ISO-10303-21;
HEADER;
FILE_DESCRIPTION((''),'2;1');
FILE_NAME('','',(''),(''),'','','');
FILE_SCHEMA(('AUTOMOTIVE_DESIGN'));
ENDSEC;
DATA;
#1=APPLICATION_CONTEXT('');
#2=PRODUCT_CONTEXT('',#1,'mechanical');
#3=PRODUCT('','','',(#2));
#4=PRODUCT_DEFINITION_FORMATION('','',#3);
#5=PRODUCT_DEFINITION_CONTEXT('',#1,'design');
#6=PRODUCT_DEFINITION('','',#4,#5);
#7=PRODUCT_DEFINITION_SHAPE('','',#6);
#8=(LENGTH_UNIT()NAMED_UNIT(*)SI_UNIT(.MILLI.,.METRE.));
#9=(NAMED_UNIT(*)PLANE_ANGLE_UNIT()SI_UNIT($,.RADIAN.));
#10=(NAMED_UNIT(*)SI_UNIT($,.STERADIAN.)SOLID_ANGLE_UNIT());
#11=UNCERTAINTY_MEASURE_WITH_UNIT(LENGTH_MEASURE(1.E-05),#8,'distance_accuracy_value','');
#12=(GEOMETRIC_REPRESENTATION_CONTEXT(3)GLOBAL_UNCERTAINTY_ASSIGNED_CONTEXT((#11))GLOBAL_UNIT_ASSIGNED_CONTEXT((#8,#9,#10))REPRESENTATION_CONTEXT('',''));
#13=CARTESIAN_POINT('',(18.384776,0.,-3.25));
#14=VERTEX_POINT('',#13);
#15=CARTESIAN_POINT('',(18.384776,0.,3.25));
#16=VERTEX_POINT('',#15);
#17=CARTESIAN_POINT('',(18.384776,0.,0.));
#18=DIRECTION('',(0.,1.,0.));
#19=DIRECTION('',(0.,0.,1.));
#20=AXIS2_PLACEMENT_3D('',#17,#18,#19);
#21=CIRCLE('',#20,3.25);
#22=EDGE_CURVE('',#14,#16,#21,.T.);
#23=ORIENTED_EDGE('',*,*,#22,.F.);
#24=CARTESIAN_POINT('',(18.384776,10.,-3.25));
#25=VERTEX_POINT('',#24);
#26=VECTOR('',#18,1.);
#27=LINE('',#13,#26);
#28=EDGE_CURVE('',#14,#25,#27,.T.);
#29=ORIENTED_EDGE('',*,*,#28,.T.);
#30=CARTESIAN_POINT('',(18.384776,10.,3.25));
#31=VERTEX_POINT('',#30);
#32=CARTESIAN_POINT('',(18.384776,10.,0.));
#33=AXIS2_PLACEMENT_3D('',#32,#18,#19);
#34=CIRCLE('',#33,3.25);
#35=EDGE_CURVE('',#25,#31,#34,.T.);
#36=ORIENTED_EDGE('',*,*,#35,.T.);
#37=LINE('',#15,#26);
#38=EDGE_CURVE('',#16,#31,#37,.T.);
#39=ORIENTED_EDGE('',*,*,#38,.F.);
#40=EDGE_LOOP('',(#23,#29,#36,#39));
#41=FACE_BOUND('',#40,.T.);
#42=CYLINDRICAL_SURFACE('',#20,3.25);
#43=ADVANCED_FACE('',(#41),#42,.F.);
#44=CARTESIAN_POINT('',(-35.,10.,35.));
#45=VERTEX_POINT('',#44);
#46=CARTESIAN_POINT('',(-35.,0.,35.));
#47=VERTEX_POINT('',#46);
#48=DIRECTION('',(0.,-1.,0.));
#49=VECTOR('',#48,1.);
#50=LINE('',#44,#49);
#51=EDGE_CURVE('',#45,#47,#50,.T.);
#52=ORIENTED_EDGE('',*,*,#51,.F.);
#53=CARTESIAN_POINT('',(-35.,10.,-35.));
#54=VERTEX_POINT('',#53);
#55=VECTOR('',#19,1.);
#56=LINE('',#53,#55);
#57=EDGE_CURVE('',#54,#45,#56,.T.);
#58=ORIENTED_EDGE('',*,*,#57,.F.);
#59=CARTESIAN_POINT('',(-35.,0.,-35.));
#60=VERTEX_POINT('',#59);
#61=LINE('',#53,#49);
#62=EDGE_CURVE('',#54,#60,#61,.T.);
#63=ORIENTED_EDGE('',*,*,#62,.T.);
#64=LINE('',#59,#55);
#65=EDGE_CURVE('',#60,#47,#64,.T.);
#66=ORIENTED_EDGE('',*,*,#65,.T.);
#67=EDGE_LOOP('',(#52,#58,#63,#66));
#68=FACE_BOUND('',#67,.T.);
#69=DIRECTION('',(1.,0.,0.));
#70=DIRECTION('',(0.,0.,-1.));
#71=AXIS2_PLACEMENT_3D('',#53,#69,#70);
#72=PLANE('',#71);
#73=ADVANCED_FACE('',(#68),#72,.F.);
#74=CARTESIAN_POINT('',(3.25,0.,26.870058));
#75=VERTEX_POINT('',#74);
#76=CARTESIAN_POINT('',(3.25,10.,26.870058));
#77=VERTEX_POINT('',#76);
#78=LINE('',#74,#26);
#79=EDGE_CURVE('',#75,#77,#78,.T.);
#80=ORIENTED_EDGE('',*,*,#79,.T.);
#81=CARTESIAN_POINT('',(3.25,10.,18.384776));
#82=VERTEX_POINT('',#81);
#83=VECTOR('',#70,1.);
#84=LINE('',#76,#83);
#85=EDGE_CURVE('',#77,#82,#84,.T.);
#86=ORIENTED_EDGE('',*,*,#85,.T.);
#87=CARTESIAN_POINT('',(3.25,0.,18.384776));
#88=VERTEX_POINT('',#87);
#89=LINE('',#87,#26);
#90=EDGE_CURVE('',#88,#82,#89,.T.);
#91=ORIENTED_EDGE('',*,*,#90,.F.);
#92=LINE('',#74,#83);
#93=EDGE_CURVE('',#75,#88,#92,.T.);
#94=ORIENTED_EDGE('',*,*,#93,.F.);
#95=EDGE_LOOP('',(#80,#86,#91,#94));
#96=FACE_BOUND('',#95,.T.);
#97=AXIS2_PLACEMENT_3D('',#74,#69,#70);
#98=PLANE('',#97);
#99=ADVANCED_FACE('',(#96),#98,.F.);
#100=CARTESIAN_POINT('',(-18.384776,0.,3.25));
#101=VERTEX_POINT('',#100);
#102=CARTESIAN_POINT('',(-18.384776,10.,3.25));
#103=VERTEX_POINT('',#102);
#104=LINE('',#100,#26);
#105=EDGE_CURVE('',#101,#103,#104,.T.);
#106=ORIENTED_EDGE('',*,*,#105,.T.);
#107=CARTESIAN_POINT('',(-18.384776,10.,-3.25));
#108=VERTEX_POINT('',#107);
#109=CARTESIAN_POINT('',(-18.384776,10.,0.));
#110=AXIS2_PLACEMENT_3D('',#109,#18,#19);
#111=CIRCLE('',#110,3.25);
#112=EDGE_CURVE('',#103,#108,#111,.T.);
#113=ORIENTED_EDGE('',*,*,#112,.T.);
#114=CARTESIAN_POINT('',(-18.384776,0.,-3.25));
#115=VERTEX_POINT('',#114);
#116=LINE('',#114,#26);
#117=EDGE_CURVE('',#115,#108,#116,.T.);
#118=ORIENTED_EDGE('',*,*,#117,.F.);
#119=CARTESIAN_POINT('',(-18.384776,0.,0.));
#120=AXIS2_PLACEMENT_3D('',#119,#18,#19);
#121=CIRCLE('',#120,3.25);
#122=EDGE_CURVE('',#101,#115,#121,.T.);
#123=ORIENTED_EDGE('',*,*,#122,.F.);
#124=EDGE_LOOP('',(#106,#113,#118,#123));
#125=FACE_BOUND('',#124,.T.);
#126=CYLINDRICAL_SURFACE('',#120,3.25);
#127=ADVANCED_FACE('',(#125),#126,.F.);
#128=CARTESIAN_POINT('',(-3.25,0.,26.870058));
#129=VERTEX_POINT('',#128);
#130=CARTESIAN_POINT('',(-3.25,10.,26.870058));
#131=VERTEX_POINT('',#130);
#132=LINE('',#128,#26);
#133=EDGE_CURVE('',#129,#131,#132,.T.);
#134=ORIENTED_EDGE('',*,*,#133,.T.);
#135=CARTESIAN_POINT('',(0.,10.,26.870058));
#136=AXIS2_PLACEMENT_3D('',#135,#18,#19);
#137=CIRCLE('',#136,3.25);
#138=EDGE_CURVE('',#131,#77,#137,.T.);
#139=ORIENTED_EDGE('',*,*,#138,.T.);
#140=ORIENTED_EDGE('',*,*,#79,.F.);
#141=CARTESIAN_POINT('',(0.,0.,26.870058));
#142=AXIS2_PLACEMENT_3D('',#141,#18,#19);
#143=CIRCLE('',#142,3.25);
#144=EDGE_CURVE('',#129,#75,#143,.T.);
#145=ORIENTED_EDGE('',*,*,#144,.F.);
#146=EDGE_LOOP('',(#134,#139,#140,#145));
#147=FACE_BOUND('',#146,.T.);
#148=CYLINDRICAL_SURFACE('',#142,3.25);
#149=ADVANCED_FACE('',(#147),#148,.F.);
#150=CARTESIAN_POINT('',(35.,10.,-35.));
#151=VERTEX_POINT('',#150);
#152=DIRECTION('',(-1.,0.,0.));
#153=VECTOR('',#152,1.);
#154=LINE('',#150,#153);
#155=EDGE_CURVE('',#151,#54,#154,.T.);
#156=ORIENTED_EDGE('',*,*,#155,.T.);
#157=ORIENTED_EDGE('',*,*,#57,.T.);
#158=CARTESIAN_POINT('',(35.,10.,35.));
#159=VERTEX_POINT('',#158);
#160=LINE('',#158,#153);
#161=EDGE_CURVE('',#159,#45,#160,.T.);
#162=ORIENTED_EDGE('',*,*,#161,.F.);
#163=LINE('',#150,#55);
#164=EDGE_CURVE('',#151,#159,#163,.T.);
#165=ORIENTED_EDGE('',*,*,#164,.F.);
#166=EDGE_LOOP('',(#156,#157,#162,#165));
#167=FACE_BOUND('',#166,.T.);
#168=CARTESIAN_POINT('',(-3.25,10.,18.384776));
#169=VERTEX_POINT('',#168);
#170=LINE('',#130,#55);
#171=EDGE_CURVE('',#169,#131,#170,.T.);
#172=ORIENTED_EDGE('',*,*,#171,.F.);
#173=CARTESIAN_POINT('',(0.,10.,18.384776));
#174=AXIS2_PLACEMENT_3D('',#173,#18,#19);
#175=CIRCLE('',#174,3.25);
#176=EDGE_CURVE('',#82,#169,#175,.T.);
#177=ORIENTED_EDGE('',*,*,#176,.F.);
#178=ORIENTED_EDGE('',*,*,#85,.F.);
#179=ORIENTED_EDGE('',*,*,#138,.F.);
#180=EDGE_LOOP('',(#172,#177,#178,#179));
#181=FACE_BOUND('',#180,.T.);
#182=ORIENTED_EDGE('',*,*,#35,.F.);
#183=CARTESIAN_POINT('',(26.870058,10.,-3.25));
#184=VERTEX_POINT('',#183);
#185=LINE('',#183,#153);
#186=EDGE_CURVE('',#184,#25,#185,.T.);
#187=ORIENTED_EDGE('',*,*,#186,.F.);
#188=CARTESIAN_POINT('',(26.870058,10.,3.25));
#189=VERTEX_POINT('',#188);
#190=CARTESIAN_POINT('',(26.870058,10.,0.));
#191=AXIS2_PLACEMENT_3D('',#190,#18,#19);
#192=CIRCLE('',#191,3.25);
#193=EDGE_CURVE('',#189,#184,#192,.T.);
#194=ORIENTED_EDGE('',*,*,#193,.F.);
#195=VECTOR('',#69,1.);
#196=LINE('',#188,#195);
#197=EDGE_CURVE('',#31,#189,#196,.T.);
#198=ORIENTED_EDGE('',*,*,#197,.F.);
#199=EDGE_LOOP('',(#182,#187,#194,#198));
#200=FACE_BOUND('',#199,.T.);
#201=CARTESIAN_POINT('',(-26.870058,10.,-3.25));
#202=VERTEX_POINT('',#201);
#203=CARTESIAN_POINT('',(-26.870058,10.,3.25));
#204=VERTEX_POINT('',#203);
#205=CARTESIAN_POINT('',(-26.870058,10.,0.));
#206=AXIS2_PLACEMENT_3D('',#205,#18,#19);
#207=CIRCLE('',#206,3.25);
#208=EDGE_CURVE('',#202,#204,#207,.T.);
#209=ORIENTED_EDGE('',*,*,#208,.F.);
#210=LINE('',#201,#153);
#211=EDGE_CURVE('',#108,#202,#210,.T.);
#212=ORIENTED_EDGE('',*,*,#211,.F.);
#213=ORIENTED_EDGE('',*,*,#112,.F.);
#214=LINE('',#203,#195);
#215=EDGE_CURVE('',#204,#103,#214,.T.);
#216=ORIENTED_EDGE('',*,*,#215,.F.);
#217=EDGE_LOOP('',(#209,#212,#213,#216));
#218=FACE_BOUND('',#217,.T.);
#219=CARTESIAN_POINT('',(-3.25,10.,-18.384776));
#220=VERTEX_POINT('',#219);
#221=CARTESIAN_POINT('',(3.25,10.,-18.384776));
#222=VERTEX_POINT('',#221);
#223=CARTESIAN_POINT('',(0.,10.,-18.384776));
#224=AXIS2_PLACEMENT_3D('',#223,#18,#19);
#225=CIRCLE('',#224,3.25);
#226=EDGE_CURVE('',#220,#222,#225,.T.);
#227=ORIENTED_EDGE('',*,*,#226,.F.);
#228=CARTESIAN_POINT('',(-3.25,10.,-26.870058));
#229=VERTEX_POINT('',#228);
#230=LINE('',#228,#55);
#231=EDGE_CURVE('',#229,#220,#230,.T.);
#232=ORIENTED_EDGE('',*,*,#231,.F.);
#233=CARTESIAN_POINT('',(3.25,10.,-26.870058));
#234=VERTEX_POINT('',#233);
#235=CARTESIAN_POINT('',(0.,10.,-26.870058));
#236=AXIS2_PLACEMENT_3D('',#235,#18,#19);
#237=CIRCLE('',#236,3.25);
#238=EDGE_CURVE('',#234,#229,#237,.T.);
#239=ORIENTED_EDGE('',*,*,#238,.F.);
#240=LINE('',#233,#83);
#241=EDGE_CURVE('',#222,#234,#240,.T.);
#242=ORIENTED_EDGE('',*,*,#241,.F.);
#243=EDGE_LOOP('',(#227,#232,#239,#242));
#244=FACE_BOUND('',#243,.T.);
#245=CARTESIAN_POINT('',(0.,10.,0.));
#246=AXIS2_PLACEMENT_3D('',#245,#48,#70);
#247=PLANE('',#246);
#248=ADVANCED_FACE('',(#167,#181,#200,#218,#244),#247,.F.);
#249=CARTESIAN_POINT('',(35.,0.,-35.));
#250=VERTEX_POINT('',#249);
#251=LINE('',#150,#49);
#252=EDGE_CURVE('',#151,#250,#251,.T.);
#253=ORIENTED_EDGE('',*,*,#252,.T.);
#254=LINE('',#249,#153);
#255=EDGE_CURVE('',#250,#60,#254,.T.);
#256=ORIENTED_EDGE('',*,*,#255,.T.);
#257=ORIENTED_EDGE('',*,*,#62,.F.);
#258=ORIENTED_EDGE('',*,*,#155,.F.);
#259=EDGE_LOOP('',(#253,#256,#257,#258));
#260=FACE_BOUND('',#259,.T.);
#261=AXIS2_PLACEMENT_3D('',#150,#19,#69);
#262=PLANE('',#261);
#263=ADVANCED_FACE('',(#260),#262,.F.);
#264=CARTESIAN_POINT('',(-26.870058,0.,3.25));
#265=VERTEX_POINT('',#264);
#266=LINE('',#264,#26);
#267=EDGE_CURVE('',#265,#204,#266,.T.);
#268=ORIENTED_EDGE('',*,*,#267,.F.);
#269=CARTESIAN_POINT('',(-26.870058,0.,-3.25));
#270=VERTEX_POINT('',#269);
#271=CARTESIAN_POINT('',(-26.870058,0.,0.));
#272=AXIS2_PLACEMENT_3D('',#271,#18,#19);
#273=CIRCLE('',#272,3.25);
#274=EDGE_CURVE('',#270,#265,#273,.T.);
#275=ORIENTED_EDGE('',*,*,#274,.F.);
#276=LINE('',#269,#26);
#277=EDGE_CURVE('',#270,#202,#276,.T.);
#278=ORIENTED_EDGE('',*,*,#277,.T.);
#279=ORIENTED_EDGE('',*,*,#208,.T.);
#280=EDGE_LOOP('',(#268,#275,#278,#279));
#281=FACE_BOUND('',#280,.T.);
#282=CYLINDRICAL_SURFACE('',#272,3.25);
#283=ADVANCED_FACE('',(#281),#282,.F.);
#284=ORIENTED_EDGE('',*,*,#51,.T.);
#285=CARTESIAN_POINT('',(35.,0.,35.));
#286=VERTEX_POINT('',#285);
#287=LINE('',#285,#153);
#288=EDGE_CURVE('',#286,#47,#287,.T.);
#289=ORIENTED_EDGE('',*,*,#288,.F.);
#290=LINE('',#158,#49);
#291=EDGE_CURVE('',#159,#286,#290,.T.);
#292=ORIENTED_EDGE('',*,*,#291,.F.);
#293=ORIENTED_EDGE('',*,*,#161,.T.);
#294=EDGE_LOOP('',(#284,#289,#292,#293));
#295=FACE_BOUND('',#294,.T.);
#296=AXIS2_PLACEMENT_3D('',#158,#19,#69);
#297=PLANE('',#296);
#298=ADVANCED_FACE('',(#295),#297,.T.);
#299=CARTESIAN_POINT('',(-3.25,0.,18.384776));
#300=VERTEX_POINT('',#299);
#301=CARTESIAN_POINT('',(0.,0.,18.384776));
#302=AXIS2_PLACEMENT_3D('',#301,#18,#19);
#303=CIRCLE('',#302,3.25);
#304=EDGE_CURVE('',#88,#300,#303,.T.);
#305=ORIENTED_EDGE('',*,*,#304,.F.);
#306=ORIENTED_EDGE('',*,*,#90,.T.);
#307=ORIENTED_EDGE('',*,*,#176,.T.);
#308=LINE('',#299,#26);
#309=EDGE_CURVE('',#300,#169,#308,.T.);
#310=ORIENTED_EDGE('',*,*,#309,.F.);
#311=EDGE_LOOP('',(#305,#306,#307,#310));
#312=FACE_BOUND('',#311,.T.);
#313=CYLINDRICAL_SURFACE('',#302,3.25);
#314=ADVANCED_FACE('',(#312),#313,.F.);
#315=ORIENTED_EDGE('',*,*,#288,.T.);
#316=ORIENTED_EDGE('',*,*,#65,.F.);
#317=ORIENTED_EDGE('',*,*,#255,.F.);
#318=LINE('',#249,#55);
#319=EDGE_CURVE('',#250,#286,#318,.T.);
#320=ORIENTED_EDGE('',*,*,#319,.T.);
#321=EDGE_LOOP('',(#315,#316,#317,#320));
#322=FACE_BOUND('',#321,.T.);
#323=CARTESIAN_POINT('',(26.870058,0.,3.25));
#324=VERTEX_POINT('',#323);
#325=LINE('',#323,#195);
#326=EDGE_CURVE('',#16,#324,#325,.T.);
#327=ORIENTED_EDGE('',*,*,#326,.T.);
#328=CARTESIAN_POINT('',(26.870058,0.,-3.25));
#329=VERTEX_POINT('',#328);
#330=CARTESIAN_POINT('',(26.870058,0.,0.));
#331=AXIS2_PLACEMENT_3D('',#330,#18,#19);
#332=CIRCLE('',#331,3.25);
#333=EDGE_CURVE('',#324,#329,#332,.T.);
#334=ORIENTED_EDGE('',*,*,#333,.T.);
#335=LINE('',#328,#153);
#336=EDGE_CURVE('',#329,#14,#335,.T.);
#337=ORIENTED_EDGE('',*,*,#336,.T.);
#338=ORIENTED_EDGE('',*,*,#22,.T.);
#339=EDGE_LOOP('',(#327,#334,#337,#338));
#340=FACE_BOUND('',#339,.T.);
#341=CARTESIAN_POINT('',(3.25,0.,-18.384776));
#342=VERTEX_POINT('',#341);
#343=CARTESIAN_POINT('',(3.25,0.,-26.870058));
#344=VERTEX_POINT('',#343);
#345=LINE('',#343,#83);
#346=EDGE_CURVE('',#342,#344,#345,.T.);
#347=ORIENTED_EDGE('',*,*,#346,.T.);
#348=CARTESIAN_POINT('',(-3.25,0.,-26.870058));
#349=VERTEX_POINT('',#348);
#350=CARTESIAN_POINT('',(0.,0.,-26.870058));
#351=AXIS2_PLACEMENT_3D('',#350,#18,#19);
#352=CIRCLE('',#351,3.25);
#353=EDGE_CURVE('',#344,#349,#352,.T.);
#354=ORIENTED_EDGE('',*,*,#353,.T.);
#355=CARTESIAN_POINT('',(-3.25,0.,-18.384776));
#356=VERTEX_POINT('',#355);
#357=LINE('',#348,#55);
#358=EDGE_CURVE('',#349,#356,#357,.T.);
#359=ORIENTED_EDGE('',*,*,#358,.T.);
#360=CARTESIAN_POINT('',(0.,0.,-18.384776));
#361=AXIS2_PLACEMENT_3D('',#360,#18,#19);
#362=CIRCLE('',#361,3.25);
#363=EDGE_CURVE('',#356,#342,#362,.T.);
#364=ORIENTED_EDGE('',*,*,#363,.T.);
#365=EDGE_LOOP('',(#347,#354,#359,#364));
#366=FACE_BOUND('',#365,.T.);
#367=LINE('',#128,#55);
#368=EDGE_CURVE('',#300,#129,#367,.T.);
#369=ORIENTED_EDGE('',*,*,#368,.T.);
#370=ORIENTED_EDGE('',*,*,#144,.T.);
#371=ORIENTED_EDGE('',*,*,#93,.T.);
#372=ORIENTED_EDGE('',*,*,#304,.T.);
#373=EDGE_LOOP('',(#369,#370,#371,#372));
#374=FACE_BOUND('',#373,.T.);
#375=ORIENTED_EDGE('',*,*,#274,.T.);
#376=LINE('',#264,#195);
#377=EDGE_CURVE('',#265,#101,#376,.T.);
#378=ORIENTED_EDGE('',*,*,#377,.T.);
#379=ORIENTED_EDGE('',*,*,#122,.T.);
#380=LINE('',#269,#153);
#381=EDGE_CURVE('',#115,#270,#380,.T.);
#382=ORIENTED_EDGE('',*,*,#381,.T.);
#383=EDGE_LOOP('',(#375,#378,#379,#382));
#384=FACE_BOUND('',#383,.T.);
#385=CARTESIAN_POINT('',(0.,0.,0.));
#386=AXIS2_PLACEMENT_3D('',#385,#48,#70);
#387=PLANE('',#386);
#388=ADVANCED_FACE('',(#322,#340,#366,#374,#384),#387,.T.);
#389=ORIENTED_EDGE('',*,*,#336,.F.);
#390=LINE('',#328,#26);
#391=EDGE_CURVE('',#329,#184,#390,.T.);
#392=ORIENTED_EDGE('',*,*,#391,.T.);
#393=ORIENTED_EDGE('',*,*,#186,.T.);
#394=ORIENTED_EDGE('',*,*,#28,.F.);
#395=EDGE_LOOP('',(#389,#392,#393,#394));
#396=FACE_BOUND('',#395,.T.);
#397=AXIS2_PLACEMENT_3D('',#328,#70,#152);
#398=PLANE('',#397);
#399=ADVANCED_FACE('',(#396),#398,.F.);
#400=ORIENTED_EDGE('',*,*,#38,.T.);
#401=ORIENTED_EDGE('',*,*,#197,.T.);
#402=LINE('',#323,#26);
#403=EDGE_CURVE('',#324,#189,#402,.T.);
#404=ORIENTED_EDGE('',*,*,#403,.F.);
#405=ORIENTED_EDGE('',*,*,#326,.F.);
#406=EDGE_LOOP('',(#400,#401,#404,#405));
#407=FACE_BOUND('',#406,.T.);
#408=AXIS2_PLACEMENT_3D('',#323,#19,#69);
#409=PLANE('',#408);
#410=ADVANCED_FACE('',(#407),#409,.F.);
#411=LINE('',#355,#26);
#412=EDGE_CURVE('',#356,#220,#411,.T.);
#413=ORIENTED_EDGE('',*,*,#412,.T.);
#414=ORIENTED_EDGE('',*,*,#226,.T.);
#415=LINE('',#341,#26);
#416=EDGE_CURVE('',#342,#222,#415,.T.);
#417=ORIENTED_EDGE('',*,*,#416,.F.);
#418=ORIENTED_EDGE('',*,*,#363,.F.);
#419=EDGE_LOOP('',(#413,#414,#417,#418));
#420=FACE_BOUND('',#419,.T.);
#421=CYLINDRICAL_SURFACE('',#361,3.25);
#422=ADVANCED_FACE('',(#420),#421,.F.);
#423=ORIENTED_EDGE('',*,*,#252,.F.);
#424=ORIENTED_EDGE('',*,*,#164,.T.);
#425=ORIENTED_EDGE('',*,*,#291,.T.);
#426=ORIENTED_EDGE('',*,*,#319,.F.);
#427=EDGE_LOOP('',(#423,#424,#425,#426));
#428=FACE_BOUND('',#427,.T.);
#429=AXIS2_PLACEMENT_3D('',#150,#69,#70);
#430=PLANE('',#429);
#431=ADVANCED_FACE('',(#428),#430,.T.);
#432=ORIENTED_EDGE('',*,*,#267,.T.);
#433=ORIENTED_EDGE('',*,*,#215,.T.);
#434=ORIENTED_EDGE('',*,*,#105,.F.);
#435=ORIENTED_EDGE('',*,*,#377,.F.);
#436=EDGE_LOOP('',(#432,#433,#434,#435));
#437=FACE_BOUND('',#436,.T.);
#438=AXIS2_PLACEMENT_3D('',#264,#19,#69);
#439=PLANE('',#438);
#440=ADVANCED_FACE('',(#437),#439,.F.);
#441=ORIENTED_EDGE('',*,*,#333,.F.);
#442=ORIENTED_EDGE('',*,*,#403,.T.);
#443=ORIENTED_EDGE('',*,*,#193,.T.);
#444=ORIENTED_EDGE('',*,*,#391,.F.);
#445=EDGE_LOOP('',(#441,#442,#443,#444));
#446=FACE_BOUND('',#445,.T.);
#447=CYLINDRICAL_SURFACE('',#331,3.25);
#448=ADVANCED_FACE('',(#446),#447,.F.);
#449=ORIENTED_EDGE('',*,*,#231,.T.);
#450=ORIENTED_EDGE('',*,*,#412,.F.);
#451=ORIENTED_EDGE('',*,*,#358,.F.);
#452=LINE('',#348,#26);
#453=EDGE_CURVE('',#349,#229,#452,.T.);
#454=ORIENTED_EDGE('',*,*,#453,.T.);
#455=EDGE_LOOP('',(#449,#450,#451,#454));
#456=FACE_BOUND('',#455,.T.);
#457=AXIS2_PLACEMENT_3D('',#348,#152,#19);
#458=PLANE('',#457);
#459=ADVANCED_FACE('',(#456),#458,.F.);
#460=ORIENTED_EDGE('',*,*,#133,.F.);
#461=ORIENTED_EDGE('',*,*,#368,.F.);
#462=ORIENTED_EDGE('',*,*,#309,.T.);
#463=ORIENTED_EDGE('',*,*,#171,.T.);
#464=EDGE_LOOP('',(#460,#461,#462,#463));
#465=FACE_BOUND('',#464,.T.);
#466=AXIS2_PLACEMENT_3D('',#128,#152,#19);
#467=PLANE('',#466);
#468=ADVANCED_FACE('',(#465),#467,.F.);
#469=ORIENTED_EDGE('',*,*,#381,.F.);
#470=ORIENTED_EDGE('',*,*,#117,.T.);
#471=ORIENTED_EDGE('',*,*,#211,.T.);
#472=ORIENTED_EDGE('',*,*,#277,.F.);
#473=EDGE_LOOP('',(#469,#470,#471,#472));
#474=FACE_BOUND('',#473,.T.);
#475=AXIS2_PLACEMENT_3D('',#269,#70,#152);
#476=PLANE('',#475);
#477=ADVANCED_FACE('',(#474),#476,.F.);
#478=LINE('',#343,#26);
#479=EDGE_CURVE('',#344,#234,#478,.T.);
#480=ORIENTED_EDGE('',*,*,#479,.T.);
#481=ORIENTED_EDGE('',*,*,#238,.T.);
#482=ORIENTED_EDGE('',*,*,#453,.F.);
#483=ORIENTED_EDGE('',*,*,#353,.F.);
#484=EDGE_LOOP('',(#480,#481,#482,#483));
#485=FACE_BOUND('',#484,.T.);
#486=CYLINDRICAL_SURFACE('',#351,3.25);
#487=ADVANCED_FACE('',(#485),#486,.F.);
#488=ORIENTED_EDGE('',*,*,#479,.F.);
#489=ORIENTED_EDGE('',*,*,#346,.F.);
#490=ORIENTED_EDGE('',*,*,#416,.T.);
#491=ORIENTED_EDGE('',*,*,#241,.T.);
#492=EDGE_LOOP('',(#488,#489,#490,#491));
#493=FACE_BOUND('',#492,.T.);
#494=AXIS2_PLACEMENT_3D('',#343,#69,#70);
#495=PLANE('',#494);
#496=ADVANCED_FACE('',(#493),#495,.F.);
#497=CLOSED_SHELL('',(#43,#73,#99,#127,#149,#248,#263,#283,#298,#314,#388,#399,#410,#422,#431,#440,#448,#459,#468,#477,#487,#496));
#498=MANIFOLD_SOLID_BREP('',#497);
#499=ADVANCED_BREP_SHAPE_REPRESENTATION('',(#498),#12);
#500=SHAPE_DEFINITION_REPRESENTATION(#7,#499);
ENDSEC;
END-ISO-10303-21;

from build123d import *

# Parameters (mm, degrees)
SKETCH1_W           = 70
SKETCH1_H           = 70
BOSS_EXTRUDE1_DEPTH = 10
CUT_EXTRUDE1_DEPTH  = 51.497524692


with BuildPart() as part:
    # Sketch1 → Boss-Extrude1 (new body)
    with BuildSketch(Plane(origin=(0, 0, 0), x_dir=(1, 0, 0), z_dir=(0, 1, 0))):
        Rectangle(SKETCH1_W, SKETCH1_H)
    extrude(amount=BOSS_EXTRUDE1_DEPTH)

    # Sketch4 → Cut-Extrude1 (cut, through all)
    with BuildSketch(Plane(origin=(0, 10, 0), x_dir=(1, 0, 0), z_dir=(0, 1, 0))):
        with BuildLine():
            Line((-26.870057685, 3.25), (-18.384776311, 3.25))
            ThreePointArc((-18.384776311, 3.25), (-15.134776311, 0), (-18.384776311, -3.25))
            Line((-18.384776311, -3.25), (-26.870057685, -3.25))
            ThreePointArc((-26.870057685, -3.25), (-30.120057685, 0), (-26.870057685, 3.25))
        make_face()
        with BuildLine():
            Line((3.25, 26.870057685), (3.25, 18.384776311))
            ThreePointArc((3.25, 18.384776311), (0, 15.134776311), (-3.25, 18.384776311))
            Line((-3.25, 18.384776311), (-3.25, 26.870057685))
            ThreePointArc((-3.25, 26.870057685), (0, 30.120057685), (3.25, 26.870057685))
        make_face()
        with BuildLine():
            Line((26.870057685, -3.25), (18.384776311, -3.25))
            ThreePointArc((18.384776311, -3.25), (15.134776311, 0), (18.384776311, 3.25))
            Line((18.384776311, 3.25), (26.870057685, 3.25))
            ThreePointArc((26.870057685, 3.25), (30.120057685, 0), (26.870057685, -3.25))
        make_face()
        with BuildLine():
            Line((-3.25, -26.870057685), (-3.25, -18.384776311))
            ThreePointArc((-3.25, -18.384776311), (0, -15.134776311), (3.25, -18.384776311))
            Line((3.25, -18.384776311), (3.25, -26.870057685))
            ThreePointArc((3.25, -26.870057685), (0, -30.120057685), (-3.25, -26.870057685))
        make_face()
    extrude(amount=-CUT_EXTRUDE1_DEPTH, mode=Mode.SUBTRACT)


solid = part.part
